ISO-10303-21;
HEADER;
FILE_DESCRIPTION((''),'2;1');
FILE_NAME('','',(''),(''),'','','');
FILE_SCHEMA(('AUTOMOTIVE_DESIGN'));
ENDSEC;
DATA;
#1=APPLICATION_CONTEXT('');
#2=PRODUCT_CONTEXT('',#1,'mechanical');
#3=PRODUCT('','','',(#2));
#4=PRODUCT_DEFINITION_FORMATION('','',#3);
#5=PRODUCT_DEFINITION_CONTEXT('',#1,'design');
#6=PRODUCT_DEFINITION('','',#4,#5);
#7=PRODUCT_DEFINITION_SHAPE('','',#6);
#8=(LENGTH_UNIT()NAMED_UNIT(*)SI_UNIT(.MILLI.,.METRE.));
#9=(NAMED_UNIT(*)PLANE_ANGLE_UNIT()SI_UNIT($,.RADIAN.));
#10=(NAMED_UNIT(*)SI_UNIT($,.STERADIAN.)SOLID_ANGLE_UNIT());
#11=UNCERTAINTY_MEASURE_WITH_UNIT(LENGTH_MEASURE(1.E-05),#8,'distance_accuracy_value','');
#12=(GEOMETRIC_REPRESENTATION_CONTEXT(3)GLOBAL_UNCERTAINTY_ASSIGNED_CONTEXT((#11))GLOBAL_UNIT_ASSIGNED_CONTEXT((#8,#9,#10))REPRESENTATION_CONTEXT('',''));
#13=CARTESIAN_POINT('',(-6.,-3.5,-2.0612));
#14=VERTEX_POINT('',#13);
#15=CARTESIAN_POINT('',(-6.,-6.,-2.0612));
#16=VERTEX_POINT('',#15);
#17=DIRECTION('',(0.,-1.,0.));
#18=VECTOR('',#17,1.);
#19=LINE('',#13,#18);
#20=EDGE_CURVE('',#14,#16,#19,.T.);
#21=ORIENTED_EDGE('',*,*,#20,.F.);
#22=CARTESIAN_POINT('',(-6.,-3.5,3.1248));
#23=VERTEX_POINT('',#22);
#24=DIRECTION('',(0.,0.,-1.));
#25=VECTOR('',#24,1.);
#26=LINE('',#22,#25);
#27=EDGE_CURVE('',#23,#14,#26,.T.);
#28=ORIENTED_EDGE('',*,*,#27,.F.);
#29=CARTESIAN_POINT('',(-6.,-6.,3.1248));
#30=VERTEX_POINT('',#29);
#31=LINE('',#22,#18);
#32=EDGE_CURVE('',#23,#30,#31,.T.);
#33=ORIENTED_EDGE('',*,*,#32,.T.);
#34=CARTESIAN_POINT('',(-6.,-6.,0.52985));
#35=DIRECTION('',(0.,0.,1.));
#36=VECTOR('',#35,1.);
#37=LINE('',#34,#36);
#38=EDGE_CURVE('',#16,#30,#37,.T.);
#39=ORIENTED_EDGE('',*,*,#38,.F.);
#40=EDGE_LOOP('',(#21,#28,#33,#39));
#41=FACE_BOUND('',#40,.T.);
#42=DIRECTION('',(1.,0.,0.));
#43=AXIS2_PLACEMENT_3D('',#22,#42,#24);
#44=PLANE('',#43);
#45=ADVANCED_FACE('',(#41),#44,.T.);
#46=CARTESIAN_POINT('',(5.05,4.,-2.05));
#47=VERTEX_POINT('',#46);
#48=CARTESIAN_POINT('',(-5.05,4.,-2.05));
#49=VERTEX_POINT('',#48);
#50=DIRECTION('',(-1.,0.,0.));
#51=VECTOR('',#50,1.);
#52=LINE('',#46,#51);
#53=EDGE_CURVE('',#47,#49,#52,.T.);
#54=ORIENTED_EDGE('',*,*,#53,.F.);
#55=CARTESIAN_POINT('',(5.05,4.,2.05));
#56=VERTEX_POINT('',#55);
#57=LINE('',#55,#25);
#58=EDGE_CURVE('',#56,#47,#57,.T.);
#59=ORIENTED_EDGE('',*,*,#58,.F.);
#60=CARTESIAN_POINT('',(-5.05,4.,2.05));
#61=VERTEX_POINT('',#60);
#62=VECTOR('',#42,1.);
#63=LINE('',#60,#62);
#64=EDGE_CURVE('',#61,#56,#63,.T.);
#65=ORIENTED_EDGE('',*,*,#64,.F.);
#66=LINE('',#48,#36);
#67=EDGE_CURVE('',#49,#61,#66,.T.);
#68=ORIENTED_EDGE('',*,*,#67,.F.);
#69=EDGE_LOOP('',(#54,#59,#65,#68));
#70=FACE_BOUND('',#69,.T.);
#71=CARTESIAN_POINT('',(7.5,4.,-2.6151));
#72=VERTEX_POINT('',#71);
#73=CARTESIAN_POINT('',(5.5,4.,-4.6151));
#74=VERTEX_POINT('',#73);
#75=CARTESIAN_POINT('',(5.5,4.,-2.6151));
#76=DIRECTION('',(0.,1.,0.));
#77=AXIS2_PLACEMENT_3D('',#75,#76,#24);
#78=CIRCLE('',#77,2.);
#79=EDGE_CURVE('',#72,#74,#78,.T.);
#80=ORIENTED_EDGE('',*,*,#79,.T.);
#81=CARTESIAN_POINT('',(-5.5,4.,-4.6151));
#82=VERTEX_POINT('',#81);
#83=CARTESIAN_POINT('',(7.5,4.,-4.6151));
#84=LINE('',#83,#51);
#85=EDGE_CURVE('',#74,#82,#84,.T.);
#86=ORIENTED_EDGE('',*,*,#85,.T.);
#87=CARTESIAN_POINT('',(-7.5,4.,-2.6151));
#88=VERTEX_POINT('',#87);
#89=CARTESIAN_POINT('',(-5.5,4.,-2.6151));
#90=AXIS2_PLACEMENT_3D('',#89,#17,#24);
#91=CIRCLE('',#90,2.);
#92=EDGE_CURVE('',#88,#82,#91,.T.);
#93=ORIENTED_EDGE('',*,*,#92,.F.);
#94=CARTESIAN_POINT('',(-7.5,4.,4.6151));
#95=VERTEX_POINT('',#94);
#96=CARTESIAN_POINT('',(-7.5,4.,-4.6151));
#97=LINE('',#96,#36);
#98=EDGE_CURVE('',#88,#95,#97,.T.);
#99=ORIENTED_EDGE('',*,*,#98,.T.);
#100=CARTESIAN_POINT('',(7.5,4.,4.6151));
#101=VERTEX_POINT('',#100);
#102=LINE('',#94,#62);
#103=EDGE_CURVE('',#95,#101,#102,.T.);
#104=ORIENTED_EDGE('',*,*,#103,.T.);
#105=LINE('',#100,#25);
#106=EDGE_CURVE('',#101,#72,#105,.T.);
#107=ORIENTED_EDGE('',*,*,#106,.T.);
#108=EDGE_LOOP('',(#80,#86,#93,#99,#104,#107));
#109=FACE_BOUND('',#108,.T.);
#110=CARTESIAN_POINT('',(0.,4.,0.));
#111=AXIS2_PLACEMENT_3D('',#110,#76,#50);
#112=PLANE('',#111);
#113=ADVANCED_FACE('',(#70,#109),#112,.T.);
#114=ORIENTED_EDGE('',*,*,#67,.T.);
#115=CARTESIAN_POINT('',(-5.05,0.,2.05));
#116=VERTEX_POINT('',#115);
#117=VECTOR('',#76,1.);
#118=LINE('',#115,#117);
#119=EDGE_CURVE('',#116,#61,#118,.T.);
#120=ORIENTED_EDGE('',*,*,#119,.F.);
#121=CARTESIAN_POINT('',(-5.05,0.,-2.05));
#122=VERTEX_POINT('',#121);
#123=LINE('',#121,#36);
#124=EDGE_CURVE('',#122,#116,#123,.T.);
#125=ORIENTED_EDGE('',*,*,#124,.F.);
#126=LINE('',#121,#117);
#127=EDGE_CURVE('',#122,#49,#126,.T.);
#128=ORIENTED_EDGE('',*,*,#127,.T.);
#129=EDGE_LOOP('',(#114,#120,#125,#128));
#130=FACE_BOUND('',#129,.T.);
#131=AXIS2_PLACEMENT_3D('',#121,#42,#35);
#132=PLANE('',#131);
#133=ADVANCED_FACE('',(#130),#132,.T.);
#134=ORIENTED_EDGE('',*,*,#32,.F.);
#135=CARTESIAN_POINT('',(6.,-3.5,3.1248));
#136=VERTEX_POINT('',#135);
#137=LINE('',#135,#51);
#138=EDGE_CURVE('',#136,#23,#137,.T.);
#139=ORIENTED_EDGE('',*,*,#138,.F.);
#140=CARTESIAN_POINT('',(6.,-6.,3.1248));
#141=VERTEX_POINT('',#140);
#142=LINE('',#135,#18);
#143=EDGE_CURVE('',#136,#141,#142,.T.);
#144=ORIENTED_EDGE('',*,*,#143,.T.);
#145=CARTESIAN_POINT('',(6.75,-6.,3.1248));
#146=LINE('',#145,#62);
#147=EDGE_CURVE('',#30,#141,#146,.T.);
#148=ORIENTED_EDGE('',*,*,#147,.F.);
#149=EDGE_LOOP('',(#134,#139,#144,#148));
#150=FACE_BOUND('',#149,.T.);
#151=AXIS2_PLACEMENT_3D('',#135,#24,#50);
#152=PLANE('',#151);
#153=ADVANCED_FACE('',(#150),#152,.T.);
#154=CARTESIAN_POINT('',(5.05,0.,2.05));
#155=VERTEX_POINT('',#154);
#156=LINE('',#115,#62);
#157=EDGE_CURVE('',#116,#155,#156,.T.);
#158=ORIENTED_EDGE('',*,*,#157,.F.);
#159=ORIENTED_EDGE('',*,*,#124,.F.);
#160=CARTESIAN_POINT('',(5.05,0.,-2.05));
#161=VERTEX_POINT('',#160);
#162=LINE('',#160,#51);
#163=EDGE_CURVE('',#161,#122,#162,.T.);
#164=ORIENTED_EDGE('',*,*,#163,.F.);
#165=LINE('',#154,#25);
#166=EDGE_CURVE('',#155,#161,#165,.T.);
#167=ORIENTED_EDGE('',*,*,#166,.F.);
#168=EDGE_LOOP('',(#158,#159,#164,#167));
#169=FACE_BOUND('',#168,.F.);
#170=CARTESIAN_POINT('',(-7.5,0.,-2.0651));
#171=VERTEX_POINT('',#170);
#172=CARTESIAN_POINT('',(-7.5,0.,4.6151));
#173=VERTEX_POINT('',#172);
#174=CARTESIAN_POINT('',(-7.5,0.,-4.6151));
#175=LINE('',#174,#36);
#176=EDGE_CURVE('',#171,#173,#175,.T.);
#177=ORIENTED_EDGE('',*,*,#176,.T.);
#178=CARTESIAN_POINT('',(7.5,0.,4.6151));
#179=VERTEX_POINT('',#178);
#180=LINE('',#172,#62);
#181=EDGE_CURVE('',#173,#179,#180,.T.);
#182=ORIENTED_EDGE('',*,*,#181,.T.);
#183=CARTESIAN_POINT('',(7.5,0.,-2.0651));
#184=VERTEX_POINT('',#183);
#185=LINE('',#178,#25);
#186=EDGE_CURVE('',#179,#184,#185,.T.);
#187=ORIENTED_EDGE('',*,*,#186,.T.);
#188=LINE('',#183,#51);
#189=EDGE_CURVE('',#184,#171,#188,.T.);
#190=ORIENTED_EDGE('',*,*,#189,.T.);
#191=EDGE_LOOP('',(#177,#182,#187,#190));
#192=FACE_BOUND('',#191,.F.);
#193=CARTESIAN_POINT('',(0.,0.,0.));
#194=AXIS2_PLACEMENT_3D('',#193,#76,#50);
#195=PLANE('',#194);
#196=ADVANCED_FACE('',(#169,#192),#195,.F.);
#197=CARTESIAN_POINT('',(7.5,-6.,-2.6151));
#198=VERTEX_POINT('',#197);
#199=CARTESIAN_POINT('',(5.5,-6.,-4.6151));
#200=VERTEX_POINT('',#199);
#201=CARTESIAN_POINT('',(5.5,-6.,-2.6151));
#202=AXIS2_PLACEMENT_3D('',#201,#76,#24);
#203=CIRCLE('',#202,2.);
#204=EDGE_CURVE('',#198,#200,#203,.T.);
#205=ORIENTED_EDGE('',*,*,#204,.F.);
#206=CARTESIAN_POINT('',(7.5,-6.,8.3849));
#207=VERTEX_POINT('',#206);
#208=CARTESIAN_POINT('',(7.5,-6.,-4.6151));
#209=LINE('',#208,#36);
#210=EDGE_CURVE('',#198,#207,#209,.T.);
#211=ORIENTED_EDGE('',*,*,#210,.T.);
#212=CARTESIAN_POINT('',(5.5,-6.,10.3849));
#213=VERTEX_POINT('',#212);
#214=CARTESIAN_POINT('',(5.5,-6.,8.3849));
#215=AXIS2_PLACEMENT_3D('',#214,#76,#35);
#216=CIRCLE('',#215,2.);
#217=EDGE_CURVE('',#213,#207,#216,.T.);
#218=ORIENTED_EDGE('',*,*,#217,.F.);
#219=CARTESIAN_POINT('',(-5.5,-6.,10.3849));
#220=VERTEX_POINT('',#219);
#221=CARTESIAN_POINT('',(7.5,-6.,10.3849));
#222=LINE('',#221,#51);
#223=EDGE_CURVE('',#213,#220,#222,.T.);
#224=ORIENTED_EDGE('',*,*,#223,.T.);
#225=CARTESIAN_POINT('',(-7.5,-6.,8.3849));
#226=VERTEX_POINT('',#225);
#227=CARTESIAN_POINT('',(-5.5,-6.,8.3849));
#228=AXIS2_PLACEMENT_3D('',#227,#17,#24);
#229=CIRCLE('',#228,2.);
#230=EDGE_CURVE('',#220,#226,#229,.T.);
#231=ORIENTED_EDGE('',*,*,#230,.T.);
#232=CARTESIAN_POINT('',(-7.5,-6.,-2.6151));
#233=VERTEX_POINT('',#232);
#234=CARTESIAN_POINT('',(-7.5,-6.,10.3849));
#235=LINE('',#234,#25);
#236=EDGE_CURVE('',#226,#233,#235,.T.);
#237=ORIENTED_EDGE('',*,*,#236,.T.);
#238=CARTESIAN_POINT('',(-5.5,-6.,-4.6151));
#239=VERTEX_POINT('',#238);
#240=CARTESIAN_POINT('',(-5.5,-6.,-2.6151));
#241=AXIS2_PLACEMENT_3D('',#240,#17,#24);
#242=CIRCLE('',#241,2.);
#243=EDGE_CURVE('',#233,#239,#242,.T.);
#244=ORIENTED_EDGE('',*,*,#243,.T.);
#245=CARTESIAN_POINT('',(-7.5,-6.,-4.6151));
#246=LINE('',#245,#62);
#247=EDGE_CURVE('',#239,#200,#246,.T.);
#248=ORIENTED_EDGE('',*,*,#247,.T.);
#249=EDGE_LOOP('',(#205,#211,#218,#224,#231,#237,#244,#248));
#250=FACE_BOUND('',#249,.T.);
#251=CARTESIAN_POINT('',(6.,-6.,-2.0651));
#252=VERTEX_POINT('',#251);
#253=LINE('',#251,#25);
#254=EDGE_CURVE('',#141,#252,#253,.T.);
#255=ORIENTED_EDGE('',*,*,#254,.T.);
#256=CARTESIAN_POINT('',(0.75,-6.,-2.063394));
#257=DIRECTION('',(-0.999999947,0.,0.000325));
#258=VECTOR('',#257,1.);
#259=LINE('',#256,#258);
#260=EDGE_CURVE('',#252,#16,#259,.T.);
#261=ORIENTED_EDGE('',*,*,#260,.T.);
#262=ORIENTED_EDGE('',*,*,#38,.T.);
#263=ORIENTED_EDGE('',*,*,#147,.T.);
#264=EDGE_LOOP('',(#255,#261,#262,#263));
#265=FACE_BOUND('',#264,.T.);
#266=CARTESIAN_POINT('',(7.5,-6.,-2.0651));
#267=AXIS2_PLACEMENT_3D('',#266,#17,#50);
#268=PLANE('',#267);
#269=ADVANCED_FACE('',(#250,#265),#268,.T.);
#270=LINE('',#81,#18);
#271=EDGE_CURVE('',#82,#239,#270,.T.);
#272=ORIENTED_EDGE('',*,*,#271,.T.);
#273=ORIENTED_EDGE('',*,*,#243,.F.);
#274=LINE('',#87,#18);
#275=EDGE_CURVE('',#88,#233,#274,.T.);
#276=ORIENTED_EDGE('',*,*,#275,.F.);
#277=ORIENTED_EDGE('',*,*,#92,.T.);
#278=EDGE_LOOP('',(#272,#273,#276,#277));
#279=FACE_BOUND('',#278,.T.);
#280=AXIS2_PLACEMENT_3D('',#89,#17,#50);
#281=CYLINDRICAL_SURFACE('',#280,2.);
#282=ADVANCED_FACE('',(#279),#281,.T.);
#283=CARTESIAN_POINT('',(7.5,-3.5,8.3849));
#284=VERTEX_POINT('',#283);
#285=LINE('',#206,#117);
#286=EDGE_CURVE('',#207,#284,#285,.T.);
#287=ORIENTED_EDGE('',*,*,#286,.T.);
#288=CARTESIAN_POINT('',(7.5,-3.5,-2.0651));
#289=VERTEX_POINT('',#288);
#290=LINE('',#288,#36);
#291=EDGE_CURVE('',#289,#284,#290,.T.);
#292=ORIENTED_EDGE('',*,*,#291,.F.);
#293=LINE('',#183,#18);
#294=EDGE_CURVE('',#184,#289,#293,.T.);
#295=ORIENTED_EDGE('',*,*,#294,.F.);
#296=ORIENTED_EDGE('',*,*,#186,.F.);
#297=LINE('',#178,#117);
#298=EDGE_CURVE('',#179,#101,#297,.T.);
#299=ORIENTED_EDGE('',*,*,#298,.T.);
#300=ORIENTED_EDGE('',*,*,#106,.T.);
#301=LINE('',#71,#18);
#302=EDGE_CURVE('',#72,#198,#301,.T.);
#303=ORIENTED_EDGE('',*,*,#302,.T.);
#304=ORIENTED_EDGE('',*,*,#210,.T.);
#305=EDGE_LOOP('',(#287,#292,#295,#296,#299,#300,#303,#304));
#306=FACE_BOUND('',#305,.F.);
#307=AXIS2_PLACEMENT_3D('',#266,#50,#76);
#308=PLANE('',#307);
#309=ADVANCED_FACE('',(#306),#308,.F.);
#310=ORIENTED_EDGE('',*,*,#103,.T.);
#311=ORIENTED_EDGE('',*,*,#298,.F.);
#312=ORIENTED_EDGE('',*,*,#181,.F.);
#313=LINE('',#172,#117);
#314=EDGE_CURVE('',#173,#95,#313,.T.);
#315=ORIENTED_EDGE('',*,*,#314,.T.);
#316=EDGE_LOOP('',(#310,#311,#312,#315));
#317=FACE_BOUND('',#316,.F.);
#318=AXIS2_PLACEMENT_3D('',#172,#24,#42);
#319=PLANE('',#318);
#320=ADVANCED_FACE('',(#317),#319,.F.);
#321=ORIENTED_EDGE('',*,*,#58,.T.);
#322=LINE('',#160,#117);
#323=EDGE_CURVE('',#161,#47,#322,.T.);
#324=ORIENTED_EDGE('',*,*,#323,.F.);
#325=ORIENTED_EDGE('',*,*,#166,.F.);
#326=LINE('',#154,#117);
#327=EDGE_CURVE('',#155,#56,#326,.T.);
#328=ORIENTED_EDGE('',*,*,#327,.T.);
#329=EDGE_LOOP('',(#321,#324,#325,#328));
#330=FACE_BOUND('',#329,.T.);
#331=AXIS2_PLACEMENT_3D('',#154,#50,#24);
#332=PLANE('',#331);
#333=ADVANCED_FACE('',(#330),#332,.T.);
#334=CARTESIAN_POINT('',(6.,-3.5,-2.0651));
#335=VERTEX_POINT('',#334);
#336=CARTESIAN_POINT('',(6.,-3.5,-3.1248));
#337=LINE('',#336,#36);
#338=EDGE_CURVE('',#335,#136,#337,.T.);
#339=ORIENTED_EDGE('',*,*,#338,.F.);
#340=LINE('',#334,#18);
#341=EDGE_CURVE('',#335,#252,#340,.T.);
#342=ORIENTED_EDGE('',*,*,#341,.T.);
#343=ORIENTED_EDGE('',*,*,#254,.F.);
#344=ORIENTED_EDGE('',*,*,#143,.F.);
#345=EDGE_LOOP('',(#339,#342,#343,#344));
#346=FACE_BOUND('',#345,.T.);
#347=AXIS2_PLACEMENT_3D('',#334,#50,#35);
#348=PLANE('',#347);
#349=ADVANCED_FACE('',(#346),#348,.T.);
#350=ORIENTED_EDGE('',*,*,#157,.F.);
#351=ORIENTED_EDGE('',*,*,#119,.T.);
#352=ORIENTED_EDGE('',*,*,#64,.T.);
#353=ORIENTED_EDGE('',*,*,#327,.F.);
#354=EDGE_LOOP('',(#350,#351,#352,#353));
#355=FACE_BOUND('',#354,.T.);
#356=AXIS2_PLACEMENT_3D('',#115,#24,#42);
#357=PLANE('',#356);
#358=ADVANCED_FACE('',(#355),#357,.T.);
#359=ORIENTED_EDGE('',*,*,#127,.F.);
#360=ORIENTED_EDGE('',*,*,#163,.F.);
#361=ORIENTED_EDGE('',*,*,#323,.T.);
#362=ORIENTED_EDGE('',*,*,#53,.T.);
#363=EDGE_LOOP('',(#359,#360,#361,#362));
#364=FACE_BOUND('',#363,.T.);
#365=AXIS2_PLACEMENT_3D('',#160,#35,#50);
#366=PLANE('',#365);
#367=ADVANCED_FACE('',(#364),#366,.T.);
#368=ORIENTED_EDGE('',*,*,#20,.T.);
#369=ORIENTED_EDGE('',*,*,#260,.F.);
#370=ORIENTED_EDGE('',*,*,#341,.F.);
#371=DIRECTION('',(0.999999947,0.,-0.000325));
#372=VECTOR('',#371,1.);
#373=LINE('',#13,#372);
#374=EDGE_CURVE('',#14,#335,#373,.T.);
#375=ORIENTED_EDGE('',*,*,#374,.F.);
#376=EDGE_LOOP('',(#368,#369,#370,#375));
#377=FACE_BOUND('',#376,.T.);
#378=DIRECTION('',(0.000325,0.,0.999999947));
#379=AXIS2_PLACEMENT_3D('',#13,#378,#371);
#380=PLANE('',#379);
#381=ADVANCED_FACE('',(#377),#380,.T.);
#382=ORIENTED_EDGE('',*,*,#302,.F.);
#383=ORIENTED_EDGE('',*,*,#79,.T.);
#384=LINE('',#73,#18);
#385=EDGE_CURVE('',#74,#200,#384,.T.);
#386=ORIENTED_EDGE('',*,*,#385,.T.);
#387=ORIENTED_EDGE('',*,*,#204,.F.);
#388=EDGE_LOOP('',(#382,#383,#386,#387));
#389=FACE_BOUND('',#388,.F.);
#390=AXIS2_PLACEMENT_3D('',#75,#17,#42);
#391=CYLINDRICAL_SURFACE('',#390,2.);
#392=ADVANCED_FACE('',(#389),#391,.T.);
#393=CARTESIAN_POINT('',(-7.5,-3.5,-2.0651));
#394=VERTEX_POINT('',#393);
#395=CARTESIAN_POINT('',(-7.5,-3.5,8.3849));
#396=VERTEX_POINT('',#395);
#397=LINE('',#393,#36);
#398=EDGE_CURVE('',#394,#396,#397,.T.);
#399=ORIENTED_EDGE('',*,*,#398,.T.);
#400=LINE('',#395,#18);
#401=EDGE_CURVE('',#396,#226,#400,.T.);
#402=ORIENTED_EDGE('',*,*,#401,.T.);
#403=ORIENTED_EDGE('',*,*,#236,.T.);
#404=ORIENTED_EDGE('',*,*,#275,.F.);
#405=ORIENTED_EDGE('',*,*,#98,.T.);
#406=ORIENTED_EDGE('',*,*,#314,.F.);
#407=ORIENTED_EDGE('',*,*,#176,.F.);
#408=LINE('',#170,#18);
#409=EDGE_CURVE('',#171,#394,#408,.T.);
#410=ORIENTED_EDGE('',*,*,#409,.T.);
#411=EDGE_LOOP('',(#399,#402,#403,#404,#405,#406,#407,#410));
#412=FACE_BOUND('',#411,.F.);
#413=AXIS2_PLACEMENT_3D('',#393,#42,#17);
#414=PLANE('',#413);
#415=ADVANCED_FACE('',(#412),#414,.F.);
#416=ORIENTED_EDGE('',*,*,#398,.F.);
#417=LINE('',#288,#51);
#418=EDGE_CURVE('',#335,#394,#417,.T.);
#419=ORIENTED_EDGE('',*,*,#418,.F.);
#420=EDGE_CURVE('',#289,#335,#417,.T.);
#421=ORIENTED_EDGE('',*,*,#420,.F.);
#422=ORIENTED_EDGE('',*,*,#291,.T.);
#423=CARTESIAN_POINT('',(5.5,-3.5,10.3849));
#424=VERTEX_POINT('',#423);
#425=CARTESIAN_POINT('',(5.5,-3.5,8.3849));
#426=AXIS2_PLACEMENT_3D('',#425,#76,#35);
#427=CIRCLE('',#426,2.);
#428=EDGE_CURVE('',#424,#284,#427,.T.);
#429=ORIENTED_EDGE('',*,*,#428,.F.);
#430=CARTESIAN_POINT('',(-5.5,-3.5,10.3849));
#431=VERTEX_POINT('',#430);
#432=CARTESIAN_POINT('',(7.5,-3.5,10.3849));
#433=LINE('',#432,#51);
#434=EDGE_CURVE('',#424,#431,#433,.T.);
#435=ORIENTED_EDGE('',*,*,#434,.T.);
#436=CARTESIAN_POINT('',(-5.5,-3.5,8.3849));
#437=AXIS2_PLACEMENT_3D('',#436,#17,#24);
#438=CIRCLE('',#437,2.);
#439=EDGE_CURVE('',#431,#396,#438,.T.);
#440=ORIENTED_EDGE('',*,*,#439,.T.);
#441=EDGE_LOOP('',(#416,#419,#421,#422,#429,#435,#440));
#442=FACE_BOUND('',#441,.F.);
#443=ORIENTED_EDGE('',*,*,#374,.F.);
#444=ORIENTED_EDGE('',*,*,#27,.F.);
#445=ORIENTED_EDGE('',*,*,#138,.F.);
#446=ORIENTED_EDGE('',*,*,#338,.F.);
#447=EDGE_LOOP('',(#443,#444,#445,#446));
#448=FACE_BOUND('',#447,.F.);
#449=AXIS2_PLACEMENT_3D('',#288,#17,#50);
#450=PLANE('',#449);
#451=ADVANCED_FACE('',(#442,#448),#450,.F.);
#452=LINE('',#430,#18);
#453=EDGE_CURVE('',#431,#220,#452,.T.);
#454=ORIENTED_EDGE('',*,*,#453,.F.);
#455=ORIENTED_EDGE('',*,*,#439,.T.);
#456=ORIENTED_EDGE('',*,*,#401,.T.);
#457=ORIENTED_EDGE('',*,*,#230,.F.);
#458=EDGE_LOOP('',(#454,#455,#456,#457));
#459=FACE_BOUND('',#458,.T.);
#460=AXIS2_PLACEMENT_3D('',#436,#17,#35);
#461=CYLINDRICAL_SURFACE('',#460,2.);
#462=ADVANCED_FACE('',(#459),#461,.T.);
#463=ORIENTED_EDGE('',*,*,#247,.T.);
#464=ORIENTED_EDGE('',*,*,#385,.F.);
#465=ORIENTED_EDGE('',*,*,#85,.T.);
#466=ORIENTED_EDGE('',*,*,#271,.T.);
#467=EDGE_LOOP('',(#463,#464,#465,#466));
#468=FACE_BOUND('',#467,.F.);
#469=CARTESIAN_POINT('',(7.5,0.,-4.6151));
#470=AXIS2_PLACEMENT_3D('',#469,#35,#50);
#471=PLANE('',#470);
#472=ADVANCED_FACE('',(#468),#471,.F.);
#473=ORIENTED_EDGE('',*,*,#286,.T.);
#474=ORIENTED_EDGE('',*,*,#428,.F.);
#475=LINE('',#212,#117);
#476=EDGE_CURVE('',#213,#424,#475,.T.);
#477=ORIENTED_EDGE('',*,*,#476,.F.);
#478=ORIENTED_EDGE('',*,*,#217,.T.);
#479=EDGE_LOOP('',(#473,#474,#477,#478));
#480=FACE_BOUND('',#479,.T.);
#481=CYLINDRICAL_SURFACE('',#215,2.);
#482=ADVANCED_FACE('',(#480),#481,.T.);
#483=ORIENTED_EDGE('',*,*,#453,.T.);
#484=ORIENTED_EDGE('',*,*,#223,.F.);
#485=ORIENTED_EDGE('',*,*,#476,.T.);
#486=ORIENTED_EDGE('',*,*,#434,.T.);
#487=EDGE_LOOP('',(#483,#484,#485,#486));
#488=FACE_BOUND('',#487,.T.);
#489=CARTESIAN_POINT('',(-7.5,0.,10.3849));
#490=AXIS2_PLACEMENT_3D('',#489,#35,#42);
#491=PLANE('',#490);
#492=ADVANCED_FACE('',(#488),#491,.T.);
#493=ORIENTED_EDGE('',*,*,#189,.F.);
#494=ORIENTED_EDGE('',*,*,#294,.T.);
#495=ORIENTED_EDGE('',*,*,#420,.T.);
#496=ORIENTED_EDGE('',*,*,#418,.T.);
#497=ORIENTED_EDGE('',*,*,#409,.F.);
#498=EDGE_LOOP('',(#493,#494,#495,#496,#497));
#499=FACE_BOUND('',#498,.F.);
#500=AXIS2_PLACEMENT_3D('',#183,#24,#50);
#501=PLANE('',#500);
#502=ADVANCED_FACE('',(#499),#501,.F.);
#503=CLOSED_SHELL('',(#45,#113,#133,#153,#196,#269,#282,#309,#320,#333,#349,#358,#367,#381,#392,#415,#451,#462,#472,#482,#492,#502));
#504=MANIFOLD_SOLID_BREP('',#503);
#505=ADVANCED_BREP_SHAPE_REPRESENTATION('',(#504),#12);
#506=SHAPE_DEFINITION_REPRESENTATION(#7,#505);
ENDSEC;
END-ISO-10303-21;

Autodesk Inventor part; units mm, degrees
ref_plane "YZ Plane" through (0, 0, 0) normal (1, 0, 0) x (0, 1, 0)
ref_plane "XZ Plane" through (0, 0, 0) normal (0, 1, 0) x (-1, 0, 0)
ref_plane "XY Plane" through (0, 0, 0) normal (0, 0, 1) x (1, 0, 0)
sketch "スケッチ1" plane through (0, 0, 0) normal (0, 1, 0) x (-1, 0, 0)
  line L0 (5.05, 2.05) -> (-5.05, 2.05)
  line L1 (-5.05, 2.05) -> (-5.05, -2.05)
  line L2 (-5.05, -2.05) -> (5.05, -2.05)
  line L3 (5.05, -2.05) -> (5.05, 2.05)
  line L4 (5.05, 2.05) -> (-5.05, -2.05) construction
  line L5 (-5.05, 2.05) -> (5.05, -2.05) construction
  line L6 (7.5, 4.6151) -> (-7.5, 4.6151)
  line L7 (-7.5, 4.6151) -> (-7.5, -4.6151)
  line L8 (-7.5, -4.6151) -> (7.5, -4.6151)
  line L9 (7.5, -4.6151) -> (7.5, 4.6151)
  line L10 (7.5, 4.6151) -> (-7.5, -4.6151) construction
  line L11 (-7.5, 4.6151) -> (7.5, -4.6151) construction
  point P0 (0, 0)
  dimension "d0" = 10.1
  dimension "d1" = 4.1
  dimension "d2" = 15
extrude "押し出し1" add sketch "スケッチ1" along normal blind 4
sketch "スケッチ2" plane through (0, 0, 0) normal (0, -1, 0) x (1, 0, 0)
  line L0 (7.5, 4.6151) -> (7.5, -4.6151) projected
  line L1 (-7.5, -4.6151) -> (7.5, -4.6151)
  line L2 (7.5, -4.6151) -> (7.5, -2.0651)
  line L3 (7.5, -2.0651) -> (-7.5, -2.0651)
  line L4 (-7.5, -2.0651) -> (-7.5, -4.6151)
  point P0 (0, 0)
  dimension "d5" = 2.55
extrude "押し出し2" add sketch "スケッチ2" along normal blind 6
sketch "スケッチ3" plane through (-7.5, 0, -2.0651) normal (0, 0, 1) x (1, 0, 0)
  line L0 (15, -6) -> (0, -6) projected
  line L1 (15, -6) -> (15, 4) projected
  line L2 (0, -6) -> (15, -6)
  line L3 (15, -6) -> (15, -3.5)
  line L4 (15, -3.5) -> (0, -3.5)
  line L5 (0, -3.5) -> (0, -6)
  point P0 (7.5, 0)
  dimension "d8" = 2.5
extrude "押し出し3" add sketch "スケッチ3" along normal blind 12.45
sketch "スケッチ4" plane through (-7.5, -3.5, -2.0651) normal (0, 1, 0) x (1, 0, 0)
  line L0 (1.5, 1.0597) -> (13.5, 1.0597)
  line L1 (13.5, 1.0597) -> (13.5, -5.1899)
  line L2 (13.5, -5.1899) -> (1.5, -5.1899)
  line L3 (1.5, -5.1899) -> (1.5, 1.0597)
  line L4 (1.5, 1.0597) -> (13.5, -5.1899) construction
  line L5 (13.5, 1.0597) -> (1.5, -5.1899) construction
  line L6 (1.5, -0.0039) -> (13.5, 0)
  line L7 (0, 0) -> (15, 0) projected
  point P0 (7.5, -2.0651)
  dimension "d11" = 12
extrude "押し出し4" cut sketch "スケッチ4" against normal blind 10 contours L1 L2 L3 L6
fillet "フィレット1" radius 2 4 edges at (7.5, -4.75, 10.3849) (-7.5, -4.75, 10.3849) (-7.5, -1, -4.6151) (7.5, -1, -4.6151)
properties part number "LRA_case2"
